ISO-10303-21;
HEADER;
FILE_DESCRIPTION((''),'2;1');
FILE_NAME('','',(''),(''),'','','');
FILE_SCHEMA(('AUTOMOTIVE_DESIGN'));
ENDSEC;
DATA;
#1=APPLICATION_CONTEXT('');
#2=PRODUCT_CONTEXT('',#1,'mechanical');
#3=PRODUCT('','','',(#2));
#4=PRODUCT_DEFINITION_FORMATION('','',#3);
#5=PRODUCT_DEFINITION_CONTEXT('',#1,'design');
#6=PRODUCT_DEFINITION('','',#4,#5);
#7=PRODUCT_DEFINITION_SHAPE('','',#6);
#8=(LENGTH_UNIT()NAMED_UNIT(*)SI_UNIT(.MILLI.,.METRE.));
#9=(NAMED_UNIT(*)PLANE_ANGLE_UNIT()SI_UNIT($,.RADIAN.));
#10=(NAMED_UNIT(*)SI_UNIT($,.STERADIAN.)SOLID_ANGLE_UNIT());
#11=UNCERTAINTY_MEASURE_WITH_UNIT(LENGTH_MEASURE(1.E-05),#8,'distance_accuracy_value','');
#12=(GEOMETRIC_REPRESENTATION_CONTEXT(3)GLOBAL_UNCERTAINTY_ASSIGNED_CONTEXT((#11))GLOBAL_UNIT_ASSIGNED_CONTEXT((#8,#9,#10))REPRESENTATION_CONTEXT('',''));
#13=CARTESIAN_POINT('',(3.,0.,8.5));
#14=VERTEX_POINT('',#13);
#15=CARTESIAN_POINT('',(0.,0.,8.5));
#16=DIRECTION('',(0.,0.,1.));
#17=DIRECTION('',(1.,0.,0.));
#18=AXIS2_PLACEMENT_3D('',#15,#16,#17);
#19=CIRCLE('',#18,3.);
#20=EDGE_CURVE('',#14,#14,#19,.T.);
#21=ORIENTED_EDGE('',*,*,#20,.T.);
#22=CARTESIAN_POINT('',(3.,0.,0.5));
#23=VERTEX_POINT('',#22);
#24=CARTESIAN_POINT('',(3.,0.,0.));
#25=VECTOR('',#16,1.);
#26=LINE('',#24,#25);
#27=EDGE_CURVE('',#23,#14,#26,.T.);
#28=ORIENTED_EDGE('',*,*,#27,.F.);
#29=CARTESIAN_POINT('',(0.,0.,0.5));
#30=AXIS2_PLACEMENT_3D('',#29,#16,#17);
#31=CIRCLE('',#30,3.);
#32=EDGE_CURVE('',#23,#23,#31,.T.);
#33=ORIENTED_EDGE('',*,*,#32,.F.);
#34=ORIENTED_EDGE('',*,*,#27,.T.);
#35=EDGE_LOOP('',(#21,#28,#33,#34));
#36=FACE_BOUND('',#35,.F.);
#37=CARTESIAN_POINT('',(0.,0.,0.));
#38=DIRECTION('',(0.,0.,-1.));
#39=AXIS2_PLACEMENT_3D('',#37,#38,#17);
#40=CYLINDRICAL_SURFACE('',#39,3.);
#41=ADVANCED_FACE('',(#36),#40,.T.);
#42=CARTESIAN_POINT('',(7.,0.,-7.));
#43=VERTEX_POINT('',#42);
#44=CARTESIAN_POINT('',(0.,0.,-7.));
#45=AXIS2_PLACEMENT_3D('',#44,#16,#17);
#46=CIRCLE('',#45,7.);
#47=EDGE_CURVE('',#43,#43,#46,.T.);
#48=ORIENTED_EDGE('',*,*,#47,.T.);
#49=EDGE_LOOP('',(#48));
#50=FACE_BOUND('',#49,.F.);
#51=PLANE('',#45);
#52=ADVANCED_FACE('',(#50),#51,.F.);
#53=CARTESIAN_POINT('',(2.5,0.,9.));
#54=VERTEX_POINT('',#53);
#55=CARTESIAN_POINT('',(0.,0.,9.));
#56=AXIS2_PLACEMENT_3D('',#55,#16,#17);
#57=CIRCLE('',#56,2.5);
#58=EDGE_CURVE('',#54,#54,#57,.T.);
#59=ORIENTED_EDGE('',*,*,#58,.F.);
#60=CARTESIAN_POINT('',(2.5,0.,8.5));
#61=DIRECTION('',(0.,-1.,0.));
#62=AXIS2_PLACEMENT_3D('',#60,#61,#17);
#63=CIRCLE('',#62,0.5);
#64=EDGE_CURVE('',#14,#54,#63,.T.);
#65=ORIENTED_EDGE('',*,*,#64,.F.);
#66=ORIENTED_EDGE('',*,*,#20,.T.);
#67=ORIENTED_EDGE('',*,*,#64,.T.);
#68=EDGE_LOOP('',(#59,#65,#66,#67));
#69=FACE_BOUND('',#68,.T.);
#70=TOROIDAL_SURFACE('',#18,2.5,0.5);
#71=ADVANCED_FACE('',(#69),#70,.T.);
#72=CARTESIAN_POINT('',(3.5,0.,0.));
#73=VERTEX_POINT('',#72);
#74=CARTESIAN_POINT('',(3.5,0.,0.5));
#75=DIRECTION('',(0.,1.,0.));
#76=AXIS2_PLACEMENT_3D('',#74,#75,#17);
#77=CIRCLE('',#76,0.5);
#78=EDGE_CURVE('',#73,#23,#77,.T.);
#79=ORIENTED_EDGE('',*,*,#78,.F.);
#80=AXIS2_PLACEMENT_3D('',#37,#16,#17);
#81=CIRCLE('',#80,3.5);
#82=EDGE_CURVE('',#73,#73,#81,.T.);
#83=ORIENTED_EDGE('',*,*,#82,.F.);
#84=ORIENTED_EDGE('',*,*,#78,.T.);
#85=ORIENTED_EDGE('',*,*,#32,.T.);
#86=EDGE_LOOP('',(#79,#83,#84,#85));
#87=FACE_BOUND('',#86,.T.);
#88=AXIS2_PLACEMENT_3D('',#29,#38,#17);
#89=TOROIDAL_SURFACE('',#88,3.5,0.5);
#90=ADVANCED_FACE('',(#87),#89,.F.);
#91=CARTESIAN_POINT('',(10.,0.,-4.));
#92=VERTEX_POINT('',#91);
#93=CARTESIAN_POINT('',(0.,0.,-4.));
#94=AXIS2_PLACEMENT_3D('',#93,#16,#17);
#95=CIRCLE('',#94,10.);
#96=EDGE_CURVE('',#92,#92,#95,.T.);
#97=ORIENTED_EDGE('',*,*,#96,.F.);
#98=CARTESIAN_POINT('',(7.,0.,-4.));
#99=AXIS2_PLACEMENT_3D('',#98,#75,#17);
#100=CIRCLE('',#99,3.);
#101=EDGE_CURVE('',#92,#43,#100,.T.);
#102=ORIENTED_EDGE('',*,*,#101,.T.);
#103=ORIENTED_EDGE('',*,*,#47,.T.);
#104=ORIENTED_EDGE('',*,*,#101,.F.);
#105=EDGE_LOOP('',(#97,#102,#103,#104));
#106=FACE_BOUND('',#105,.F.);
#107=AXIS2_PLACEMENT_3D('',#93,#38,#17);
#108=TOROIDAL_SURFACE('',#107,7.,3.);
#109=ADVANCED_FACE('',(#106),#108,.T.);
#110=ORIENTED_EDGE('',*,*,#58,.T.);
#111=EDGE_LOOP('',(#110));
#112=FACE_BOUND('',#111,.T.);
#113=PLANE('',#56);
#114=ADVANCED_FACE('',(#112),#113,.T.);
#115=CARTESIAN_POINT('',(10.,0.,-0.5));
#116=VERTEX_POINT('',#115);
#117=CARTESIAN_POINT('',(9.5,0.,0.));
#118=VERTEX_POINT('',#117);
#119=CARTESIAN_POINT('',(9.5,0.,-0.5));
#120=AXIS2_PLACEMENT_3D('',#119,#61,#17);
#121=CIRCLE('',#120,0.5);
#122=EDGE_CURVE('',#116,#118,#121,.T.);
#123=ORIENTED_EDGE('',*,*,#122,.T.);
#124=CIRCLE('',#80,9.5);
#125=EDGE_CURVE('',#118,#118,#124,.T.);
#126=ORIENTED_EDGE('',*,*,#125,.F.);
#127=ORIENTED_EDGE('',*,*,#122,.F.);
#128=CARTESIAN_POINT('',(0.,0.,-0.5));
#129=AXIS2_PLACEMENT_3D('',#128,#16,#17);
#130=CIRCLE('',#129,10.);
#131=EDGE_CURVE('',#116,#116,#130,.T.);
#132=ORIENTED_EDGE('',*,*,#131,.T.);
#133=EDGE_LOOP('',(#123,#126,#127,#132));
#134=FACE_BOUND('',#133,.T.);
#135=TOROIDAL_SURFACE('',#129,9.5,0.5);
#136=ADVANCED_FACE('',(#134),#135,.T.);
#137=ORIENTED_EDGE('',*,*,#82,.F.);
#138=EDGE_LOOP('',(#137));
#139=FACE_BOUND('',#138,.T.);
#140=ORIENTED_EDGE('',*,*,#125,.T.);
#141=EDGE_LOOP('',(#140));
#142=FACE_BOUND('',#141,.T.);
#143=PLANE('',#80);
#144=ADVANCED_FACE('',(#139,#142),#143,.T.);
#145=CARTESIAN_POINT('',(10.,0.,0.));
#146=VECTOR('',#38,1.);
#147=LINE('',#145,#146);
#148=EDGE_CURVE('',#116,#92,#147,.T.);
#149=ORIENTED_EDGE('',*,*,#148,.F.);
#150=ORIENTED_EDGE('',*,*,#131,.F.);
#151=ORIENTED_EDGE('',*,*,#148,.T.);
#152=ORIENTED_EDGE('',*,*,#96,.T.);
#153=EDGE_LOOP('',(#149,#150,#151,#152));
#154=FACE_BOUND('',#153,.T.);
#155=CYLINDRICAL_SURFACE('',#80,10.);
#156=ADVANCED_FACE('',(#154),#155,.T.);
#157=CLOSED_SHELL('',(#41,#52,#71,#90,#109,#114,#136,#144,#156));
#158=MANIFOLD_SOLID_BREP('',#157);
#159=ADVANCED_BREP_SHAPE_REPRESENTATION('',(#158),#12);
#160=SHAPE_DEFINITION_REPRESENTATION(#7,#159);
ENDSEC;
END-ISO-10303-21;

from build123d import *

# Parameters (mm, degrees)
F0_R     = 10
F1_DEPTH = 7
F2_R     = 3
F3_DEPTH = 9
F4_R     = 3
F5_R     = 0.5


with BuildPart() as f1:
    # F0 (on Top) → F1 (new body)
    with BuildSketch(Plane.XY):
        Circle(F0_R)
    extrude(amount=-F1_DEPTH)

    # F2 (on face) → F3 (join)
    with BuildSketch(Plane.XY):
        Circle(F2_R)
    extrude(amount=F3_DEPTH)

    # F4
    f4_edges = [f1.edges().sort_by_distance(p)[0] for p in [
        (-10, 0, -7),
    ]]
    fillet(f4_edges, radius=F4_R)

    # F5
    f5_edges = [f1.edges().sort_by_distance(p)[0] for p in [
        (-10, 0, 0),
        (-3, 0, 9),
        (-3, 0, 0),
    ]]
    fillet(f5_edges, radius=F5_R)


solid = f1.part
